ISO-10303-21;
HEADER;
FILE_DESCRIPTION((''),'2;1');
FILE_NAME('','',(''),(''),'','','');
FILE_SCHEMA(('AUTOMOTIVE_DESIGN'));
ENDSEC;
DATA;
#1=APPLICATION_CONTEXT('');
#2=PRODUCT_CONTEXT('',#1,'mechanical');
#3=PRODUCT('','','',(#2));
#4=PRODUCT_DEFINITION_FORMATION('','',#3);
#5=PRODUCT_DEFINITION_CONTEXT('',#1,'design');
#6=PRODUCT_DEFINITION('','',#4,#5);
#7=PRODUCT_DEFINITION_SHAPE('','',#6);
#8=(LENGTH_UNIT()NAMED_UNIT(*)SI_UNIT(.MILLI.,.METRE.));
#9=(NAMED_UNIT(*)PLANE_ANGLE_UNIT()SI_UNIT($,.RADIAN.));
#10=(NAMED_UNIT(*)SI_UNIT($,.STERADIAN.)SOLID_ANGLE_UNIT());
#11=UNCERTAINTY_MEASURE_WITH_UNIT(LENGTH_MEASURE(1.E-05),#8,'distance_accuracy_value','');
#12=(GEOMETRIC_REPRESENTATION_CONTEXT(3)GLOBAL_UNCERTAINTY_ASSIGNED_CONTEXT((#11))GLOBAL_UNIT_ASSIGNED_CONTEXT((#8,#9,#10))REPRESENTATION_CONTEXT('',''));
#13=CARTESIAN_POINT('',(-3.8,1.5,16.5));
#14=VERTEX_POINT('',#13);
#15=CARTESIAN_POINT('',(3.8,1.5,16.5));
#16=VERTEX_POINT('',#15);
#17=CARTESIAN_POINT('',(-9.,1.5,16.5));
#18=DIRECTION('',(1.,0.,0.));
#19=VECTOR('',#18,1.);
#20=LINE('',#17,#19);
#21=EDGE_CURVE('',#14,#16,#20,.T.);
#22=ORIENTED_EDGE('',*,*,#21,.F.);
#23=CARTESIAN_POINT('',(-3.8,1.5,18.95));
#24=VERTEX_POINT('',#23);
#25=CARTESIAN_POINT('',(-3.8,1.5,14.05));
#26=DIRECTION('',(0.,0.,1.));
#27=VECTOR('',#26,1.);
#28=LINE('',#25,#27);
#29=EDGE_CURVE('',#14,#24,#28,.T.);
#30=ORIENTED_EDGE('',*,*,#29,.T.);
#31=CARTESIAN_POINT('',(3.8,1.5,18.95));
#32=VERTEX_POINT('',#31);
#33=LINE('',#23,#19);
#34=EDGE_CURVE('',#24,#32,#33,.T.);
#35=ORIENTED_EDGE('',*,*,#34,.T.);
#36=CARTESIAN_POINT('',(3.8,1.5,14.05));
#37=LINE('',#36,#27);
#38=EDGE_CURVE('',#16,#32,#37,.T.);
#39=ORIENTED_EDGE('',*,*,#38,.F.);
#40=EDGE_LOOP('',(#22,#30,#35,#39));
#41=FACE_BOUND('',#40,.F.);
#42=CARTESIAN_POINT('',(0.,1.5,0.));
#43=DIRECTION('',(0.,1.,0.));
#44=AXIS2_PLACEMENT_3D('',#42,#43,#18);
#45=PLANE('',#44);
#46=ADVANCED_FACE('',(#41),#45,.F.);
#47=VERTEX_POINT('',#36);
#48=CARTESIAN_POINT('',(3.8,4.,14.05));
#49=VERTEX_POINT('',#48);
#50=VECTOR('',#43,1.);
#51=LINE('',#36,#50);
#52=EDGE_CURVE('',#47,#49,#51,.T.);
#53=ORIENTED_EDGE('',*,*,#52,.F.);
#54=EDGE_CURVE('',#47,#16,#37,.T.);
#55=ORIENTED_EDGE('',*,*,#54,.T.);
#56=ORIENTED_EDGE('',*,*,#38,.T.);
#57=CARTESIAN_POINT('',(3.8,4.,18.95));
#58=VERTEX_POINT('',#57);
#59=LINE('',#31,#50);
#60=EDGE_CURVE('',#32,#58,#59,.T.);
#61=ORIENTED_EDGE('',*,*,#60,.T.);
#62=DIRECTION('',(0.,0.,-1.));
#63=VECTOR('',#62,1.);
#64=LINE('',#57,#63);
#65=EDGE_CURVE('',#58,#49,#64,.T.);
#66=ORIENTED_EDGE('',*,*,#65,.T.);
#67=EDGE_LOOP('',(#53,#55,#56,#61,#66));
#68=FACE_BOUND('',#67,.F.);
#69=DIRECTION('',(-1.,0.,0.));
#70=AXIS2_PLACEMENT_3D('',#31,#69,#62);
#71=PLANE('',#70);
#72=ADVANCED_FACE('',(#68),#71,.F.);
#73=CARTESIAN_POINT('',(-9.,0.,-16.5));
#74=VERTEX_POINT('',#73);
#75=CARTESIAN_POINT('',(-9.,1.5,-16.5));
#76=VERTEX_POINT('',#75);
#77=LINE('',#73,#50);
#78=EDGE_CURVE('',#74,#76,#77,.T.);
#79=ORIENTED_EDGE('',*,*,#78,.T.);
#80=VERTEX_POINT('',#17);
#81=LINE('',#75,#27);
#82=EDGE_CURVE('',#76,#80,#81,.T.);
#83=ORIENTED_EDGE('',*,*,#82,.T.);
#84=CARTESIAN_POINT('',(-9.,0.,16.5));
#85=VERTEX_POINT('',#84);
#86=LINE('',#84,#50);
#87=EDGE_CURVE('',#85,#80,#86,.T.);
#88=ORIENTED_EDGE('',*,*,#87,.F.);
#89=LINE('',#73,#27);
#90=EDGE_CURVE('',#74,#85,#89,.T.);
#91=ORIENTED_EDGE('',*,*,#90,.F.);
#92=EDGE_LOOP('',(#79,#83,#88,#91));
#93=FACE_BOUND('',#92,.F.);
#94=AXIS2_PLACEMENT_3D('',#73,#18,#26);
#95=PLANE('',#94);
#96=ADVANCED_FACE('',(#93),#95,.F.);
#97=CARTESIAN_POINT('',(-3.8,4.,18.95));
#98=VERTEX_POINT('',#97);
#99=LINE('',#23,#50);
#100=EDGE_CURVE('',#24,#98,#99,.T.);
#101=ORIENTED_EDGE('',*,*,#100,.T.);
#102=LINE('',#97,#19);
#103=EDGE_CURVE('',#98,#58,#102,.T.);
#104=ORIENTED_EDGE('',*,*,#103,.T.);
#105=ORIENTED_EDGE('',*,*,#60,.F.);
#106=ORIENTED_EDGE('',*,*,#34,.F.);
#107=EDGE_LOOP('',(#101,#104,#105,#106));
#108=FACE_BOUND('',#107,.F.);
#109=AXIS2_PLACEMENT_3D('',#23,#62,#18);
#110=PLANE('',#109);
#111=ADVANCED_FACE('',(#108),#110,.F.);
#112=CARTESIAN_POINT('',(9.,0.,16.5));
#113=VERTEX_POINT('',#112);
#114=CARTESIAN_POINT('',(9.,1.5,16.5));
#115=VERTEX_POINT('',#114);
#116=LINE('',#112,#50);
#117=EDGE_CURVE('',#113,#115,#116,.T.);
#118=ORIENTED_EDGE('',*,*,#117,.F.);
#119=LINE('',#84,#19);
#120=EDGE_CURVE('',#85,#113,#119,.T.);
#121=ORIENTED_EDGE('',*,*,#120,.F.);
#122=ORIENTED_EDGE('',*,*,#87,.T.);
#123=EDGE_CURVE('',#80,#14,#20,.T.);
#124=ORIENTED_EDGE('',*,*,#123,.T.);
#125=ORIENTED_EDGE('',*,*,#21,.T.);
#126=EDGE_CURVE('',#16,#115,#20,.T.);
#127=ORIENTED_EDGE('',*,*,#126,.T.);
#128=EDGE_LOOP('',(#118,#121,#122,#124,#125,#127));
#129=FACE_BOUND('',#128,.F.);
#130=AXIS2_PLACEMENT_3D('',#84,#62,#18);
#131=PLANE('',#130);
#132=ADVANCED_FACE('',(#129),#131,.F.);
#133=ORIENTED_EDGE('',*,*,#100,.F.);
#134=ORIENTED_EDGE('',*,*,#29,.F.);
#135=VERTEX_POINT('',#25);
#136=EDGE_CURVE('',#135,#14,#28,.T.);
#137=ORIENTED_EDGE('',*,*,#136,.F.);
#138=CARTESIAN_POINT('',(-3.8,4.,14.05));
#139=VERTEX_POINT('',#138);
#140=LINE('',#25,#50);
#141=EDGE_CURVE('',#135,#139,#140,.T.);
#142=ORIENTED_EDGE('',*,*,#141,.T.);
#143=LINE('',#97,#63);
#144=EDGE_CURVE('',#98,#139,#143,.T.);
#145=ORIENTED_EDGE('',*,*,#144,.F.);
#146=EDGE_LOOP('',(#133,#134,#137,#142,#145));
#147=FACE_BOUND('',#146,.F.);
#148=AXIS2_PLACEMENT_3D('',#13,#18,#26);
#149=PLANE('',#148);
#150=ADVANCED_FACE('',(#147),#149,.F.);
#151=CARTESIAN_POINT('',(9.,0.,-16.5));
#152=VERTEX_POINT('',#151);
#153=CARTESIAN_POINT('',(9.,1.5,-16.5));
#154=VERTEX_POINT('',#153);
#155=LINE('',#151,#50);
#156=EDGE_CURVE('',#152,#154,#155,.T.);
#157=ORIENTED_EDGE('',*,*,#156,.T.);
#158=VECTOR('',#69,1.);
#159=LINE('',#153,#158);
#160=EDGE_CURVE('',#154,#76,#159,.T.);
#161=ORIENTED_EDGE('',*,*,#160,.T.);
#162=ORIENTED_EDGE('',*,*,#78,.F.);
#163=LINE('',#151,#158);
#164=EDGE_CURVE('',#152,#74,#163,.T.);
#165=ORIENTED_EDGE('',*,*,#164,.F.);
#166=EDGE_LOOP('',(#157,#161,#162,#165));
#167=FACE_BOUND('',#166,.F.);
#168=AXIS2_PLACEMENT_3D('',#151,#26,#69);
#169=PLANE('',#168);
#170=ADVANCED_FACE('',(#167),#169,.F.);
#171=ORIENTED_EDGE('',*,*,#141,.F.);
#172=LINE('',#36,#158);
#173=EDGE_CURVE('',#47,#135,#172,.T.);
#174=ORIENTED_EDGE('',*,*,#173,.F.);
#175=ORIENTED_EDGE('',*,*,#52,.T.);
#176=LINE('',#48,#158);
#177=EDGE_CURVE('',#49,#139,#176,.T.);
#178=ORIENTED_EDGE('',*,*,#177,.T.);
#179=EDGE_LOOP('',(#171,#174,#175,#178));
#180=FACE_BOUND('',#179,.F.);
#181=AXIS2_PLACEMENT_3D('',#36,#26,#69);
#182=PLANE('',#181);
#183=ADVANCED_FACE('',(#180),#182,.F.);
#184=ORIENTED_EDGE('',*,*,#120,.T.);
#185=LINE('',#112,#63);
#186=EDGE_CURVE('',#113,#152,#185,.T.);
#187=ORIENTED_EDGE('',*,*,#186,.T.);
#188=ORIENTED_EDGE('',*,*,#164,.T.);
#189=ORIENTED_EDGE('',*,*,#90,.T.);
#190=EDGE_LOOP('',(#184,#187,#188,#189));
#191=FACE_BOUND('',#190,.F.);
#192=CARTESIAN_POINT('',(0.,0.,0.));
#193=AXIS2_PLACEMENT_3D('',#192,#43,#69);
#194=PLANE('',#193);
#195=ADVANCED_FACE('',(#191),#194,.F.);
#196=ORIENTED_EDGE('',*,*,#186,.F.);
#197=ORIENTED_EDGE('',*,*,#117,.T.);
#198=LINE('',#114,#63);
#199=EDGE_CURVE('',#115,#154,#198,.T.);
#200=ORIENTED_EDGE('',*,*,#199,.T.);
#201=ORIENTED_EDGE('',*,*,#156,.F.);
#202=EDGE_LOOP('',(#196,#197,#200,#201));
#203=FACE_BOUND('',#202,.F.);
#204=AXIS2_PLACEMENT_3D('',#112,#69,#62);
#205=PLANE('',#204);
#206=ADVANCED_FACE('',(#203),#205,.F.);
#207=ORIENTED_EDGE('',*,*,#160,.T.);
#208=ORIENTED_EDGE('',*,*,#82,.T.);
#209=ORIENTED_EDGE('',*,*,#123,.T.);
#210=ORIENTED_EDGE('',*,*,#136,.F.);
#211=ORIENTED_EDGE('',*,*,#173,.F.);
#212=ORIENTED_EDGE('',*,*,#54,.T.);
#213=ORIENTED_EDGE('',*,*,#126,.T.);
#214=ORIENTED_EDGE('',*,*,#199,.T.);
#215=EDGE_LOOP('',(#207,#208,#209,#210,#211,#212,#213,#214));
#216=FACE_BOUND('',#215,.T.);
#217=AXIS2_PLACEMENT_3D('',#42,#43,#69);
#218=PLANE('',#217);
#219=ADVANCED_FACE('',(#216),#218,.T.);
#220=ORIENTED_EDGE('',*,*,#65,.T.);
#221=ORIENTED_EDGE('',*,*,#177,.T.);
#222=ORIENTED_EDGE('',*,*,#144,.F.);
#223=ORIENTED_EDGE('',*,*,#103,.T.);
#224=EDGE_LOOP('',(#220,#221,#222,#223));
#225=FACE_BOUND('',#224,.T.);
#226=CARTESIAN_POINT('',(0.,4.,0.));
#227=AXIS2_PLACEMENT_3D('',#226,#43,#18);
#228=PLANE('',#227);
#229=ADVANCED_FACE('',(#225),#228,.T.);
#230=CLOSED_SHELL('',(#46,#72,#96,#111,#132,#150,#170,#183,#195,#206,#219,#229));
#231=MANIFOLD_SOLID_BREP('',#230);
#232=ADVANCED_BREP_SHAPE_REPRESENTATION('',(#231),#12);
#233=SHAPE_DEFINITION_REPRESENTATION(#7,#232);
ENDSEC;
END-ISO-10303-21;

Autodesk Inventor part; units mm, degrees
ref_plane "YZ Plane" through (0, 0, 0) normal (1, 0, 0) x (0, 1, 0)
ref_plane "XZ Plane" through (0, 0, 0) normal (0, 1, 0) x (-1, 0, 0)
ref_plane "XY Plane" through (0, 0, 0) normal (0, 0, 1) x (1, 0, 0)
sketch "Sketch1" plane through (0, 0, 0) normal (0, 1, 0) x (-1, 0, 0)
  line L0 (9, 16.5) -> (-9, 16.5)
  line L1 (-9, 16.5) -> (-9, -16.5)
  line L2 (-9, -16.5) -> (9, -16.5)
  line L3 (9, -16.5) -> (9, 16.5)
  line L4 (9, 16.5) -> (-9, -16.5) construction
  line L5 (-9, 16.5) -> (9, -16.5) construction
  point P0 (0, 0)
  dimension "d0" = 18
  dimension "d1" = 33
extrude "Extrusion1" add sketch "Sketch1" along normal blind 1.5
sketch "Sketch2" plane through (0, 1.5, 0) normal (0, 1, 0) x (1, 0, 0)
  line L0 (-3.8, -18.95) -> (3.8, -18.95)
  line L1 (3.8, -18.95) -> (3.8, -14.05)
  line L2 (3.8, -14.05) -> (-3.8, -14.05)
  line L3 (-3.8, -14.05) -> (-3.8, -18.95)
  line L4 (-9, -16.5) -> (9, -16.5) projected
  line L5 (-3.8, -18.95) -> (3.8, -14.05) construction
  line L6 (3.8, -18.95) -> (-3.8, -14.05) construction
  point P0 (0, 0)
  point P1 (0, -16.5)
  dimension "d4" = 7.6
  dimension "d5" = 4.9
extrude "Extrusion2" add sketch "Sketch2" along normal blind 2.5
properties part number "microplaceholder" material "Aluminum 6061"
